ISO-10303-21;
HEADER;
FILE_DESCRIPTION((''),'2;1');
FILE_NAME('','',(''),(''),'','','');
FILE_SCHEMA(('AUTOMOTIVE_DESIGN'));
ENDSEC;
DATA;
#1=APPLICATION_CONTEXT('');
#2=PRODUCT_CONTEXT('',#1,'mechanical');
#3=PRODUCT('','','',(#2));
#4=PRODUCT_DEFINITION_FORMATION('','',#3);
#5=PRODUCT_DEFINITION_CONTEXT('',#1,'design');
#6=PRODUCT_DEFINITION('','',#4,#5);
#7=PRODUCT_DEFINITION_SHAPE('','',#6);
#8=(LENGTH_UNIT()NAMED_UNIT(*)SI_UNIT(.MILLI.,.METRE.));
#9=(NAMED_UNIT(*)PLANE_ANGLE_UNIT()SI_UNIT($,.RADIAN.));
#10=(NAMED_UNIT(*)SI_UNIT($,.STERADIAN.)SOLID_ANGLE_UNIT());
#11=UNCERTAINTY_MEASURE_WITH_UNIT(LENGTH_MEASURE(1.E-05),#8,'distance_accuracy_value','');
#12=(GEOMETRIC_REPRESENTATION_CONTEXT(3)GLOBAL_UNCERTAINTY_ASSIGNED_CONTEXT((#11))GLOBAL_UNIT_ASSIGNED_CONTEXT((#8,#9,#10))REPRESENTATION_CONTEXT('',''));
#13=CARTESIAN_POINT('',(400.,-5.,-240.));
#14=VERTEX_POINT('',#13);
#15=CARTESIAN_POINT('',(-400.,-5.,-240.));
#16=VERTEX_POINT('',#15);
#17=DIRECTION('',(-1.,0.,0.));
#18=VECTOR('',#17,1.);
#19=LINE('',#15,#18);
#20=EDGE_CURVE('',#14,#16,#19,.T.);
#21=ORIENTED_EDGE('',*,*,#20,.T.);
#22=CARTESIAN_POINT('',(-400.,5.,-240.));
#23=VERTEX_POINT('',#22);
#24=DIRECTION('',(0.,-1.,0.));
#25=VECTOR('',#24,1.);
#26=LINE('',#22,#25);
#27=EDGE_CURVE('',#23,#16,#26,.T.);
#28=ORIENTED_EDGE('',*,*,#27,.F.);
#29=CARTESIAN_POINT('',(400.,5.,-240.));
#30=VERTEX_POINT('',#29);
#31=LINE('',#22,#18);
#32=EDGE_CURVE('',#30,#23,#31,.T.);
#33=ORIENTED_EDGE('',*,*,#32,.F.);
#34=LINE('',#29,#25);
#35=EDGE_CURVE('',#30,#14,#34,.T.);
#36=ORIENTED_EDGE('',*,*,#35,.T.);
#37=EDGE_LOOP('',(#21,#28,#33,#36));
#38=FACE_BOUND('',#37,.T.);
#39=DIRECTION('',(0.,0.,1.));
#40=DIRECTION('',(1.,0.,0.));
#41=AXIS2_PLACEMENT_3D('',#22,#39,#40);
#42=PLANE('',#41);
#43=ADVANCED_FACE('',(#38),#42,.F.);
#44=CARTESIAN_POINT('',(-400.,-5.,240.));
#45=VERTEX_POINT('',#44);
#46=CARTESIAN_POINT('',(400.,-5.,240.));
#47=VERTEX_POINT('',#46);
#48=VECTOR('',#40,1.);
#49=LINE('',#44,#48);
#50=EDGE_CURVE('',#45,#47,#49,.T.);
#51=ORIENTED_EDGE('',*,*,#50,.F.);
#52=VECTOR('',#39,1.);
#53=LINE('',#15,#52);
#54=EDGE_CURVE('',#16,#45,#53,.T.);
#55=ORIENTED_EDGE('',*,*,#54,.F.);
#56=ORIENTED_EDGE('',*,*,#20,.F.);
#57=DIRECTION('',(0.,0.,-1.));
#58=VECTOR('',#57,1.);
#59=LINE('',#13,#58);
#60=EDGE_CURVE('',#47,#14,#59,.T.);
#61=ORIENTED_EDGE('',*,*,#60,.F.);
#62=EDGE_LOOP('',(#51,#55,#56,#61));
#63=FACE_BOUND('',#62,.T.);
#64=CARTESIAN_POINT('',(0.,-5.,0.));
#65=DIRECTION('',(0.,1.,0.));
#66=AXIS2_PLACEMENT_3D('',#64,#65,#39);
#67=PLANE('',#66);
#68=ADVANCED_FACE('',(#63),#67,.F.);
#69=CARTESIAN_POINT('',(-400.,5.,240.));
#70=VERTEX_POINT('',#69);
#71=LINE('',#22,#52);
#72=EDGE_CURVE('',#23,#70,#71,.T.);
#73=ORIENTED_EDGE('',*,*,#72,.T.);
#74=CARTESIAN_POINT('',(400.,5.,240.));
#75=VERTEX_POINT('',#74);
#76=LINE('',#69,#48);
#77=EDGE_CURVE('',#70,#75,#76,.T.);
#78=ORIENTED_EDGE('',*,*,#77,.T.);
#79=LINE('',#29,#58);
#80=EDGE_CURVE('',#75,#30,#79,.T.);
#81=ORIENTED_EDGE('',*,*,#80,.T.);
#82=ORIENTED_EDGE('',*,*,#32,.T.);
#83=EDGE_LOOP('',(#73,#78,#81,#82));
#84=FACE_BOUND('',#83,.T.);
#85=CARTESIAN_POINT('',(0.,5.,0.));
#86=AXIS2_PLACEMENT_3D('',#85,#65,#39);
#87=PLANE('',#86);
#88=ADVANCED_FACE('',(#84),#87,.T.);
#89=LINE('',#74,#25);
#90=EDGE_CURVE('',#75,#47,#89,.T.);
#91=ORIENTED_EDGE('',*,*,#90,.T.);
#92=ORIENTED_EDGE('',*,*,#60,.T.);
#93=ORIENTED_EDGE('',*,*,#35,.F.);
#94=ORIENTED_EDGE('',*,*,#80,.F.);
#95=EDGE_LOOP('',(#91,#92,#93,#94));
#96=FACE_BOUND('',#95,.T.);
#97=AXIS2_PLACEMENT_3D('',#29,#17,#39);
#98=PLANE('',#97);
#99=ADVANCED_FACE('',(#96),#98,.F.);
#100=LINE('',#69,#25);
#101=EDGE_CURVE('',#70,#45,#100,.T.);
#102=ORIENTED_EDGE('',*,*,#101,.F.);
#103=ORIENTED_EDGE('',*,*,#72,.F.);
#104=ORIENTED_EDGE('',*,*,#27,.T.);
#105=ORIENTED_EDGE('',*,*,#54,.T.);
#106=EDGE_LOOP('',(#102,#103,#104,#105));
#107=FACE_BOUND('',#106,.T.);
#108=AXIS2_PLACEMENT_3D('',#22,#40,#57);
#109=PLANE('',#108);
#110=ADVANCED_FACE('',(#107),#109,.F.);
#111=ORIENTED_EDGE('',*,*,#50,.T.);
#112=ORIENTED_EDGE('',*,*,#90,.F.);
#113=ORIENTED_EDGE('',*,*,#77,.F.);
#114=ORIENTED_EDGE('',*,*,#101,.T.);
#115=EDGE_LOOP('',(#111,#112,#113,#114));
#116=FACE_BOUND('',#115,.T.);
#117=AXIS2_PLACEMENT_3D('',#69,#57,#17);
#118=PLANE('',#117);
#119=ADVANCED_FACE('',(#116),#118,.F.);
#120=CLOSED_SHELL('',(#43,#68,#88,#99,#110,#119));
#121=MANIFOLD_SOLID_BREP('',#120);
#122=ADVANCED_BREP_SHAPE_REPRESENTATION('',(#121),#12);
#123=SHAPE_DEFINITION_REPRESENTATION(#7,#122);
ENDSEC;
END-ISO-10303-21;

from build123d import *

# Parameters (mm, degrees)
SKETCH1_W           = 800
SKETCH1_H           = 480
BOSS_EXTRUDE1_DEPTH = 5


with BuildPart() as part:
    # Sketch1 → Boss-Extrude1 (new, symmetric)
    with BuildSketch(Plane(origin=(0, 0, 0), x_dir=(1, 0, 0), z_dir=(0, 1, 0))):
        Rectangle(SKETCH1_W, SKETCH1_H)
    extrude(amount=BOSS_EXTRUDE1_DEPTH, both=True)


solid = part.part
